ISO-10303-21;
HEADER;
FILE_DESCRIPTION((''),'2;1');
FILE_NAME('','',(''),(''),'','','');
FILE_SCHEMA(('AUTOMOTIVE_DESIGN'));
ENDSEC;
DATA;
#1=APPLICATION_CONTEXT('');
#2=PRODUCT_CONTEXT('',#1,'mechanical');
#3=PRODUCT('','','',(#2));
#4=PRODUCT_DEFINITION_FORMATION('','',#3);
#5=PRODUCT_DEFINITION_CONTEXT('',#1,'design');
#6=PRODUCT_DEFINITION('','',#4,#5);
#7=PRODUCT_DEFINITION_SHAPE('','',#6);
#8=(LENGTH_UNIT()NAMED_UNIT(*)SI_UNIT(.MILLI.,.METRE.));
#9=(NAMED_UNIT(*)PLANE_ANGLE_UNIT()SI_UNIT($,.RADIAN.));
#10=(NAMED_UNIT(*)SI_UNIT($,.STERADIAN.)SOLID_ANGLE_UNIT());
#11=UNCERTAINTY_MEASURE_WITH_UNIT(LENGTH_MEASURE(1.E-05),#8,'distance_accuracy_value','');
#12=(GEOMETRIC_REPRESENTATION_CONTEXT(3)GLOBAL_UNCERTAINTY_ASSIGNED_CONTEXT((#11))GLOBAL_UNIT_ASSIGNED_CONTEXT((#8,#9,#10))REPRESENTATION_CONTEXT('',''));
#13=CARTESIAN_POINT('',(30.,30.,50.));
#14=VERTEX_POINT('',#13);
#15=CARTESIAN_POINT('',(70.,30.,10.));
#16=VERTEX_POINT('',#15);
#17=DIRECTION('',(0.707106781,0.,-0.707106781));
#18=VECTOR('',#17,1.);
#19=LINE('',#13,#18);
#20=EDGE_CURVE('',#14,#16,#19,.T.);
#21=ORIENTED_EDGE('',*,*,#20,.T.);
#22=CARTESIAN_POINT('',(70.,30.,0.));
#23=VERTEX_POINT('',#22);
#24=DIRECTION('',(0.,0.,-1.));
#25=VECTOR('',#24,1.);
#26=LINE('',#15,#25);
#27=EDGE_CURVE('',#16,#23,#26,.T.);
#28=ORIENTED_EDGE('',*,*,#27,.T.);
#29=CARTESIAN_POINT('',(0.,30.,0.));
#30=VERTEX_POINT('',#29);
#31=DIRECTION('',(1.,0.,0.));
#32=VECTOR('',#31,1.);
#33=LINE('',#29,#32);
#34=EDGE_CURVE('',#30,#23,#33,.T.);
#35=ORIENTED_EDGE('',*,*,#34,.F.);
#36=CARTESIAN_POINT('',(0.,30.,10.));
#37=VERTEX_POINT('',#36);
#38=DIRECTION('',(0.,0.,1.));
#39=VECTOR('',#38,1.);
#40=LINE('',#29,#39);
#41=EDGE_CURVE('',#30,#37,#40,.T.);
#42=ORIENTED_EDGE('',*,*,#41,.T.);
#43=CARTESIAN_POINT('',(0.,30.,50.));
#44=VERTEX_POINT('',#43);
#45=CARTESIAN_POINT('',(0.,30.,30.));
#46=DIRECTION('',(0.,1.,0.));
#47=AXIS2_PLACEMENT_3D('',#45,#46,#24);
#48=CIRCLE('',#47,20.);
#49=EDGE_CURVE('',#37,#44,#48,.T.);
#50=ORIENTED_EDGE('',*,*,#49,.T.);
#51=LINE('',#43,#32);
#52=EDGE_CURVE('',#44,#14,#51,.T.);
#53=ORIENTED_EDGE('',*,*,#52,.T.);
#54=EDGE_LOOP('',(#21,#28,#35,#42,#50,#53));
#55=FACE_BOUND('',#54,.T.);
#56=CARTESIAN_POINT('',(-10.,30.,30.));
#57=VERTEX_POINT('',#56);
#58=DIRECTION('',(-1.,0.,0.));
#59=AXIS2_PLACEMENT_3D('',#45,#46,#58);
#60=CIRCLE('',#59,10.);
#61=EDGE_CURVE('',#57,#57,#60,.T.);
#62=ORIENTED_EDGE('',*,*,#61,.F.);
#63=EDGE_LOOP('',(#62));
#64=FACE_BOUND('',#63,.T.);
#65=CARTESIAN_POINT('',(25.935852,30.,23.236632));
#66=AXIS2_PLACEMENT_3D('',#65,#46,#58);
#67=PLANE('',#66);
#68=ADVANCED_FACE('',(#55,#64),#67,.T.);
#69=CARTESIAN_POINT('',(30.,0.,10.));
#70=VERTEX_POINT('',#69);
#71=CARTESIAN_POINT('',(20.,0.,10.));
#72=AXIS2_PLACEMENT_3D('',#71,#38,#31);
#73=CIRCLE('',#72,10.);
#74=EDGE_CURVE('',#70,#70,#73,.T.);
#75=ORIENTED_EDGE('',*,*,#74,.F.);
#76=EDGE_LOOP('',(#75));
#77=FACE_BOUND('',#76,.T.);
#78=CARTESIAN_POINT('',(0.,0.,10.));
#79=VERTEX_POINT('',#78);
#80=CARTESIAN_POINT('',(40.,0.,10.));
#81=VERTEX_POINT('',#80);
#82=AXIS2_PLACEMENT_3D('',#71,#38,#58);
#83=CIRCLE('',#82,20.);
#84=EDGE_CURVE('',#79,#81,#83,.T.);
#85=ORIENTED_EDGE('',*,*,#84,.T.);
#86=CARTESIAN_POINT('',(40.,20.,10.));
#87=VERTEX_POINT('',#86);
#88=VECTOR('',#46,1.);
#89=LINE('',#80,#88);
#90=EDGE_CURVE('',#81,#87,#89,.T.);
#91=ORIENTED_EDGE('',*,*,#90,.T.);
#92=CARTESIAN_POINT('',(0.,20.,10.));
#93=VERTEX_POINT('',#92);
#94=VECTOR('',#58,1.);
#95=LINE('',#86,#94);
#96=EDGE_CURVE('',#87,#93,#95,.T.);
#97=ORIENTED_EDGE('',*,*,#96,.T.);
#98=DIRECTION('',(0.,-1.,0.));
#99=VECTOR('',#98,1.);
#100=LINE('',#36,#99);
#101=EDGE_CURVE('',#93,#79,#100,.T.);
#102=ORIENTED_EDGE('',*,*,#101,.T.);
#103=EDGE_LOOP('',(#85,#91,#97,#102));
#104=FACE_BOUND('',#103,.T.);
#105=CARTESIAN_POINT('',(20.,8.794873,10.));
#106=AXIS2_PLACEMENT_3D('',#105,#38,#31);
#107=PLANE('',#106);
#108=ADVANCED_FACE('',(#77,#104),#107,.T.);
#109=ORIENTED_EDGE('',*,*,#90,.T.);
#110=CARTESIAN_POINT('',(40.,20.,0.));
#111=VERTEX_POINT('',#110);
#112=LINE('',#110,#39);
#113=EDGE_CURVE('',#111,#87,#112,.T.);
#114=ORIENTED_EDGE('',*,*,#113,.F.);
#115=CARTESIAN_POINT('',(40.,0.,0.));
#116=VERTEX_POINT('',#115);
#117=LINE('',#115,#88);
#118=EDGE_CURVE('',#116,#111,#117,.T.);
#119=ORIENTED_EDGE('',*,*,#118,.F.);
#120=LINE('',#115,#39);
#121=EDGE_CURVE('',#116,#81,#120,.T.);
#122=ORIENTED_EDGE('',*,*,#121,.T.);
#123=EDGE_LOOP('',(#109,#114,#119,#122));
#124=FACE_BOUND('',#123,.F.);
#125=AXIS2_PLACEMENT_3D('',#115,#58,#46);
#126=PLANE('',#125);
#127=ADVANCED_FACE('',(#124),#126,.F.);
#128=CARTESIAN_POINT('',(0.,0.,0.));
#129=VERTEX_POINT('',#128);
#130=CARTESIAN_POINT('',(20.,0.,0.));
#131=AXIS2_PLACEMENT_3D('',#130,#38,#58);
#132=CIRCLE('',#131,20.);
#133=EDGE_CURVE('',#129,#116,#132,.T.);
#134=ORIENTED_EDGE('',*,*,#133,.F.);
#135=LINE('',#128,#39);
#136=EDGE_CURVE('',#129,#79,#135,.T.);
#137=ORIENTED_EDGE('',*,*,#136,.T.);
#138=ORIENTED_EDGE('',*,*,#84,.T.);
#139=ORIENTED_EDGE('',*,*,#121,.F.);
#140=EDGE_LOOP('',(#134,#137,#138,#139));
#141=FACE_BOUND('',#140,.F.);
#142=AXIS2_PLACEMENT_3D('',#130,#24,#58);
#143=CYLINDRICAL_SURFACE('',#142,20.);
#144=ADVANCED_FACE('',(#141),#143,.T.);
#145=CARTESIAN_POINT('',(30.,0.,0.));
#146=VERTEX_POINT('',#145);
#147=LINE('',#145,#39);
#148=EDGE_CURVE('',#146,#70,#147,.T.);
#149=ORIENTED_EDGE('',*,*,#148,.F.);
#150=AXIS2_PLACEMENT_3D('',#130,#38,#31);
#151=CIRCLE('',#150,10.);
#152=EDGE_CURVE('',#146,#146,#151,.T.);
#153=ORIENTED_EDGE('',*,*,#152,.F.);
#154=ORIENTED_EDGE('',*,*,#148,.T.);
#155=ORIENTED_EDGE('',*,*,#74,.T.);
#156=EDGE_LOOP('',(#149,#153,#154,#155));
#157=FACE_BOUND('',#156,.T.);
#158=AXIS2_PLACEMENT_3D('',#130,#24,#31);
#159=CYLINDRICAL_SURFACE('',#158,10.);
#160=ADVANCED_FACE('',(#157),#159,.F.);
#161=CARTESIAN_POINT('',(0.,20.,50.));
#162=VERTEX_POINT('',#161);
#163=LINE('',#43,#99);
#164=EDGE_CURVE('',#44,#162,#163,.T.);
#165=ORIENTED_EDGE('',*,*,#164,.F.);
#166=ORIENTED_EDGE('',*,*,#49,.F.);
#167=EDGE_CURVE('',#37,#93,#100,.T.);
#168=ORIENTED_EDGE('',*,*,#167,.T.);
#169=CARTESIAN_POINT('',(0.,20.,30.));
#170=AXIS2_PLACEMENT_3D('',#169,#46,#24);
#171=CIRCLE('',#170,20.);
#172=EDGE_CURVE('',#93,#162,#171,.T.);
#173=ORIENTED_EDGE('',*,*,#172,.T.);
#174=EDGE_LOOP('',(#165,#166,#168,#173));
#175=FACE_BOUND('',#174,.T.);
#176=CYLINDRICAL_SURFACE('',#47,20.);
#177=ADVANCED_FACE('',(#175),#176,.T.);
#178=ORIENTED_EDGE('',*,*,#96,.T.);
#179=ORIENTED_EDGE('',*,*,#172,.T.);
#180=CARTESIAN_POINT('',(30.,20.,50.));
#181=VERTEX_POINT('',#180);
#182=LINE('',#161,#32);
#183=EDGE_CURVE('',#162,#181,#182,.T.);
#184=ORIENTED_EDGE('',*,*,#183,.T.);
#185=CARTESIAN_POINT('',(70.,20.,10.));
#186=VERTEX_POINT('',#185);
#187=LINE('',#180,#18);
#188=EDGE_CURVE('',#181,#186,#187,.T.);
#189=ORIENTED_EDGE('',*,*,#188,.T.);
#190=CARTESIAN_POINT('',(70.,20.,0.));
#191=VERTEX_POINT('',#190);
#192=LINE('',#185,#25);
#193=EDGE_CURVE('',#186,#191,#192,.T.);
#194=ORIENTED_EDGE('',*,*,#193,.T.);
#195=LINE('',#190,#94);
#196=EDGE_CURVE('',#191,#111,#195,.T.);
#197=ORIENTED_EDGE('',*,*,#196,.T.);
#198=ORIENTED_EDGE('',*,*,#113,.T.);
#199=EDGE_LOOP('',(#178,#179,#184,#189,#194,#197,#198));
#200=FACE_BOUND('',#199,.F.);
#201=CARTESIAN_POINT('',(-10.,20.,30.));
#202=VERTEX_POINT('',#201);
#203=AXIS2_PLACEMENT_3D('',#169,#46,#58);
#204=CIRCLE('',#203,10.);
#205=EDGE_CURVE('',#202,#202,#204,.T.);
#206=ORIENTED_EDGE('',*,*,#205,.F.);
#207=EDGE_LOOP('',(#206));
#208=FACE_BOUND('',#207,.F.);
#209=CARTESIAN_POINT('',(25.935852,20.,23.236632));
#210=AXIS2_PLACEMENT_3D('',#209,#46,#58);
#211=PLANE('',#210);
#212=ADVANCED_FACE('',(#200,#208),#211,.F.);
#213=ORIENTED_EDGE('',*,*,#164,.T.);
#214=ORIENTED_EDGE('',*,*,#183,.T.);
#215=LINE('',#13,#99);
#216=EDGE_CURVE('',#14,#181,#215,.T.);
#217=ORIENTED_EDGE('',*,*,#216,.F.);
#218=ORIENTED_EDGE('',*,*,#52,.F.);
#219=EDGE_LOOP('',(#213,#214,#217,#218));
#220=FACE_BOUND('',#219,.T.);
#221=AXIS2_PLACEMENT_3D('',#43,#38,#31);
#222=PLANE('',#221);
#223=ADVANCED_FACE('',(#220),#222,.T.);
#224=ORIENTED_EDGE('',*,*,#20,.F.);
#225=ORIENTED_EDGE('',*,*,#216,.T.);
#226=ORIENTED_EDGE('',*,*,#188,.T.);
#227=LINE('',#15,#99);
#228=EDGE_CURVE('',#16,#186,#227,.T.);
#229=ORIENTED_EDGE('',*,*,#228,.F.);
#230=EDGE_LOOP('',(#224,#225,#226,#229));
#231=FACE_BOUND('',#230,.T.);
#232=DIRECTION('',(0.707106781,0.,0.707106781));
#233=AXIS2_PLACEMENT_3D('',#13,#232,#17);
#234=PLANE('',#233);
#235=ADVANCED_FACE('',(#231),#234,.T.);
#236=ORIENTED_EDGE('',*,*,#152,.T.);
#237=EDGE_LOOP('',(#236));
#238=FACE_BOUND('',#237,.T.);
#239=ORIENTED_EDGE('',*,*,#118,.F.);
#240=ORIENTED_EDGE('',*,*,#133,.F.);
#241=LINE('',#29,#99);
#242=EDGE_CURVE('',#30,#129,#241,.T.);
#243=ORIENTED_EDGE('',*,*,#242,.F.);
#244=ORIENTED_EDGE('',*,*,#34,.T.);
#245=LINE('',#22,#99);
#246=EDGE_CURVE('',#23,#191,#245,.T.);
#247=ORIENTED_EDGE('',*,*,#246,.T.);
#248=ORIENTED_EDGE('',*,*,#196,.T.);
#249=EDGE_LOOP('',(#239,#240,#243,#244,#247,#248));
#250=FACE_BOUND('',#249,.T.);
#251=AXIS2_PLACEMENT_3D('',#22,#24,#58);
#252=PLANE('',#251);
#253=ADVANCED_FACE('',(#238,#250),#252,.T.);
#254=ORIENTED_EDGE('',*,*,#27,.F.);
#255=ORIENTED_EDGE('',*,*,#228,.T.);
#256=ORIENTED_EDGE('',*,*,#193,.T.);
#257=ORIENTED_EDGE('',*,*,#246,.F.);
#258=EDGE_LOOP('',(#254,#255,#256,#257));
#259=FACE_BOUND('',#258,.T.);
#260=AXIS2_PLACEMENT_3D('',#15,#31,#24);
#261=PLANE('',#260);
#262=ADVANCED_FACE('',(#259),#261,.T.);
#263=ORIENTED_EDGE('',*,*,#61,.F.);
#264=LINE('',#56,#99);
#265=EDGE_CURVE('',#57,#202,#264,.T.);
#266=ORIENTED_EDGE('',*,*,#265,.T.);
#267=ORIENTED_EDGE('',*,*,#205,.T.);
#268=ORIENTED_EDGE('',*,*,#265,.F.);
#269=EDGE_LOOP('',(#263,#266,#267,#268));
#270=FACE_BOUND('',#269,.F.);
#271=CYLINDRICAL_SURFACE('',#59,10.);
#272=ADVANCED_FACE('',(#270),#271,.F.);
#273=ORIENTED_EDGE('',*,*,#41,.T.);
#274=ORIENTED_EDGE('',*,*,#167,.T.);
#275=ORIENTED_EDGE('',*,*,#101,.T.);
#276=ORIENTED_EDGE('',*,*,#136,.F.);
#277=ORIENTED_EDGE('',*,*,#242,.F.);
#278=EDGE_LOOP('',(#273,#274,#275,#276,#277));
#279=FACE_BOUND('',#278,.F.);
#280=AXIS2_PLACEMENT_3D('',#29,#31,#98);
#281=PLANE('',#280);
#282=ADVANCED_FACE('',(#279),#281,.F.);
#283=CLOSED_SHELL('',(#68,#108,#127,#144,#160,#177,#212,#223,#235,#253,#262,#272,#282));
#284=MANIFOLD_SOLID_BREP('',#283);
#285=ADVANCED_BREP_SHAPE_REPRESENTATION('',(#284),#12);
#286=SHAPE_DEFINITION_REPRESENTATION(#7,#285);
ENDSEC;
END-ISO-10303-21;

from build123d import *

# Parameters (mm, degrees)
F0_R     = 10
F1_DEPTH = 10
F2_R     = 10
F3_DEPTH = 10


with BuildPart() as f1:
    # F0 (on Top) → F1 (new body)
    with BuildSketch(Plane.XY):
        with BuildLine():
            Line((40, 30), (0, 30))
            Line((0, 30), (0, 0))
            ThreePointArc((0, 0), (20, -20), (40, 0))
            Line((40, 0), (40, 30))
        make_face()
        with Locations((20, 0)):
            Circle(F0_R, mode=Mode.SUBTRACT)
    extrude(amount=F1_DEPTH)

    # F2 (on face) → F3 (join)
    with BuildSketch(Plane(origin=(0, 30, 0), x_dir=(-1, 0, 0), z_dir=(0, 1, 0))):
        with BuildLine():
            Line((-70, 0), (-40, 0))
            Line((-40, 0), (-40, 10))
            Line((-40, 10), (0, 10))
            ThreePointArc((0, 10), (20, 30), (0, 50))
            Line((0, 50), (-30, 50))
            Line((-30, 50), (-70, 10))
            Line((-70, 10), (-70, 0))
        make_face()
        with Locations((0, 30)):
            Circle(F2_R, mode=Mode.SUBTRACT)
    extrude(amount=-F3_DEPTH)


solid = f1.part
